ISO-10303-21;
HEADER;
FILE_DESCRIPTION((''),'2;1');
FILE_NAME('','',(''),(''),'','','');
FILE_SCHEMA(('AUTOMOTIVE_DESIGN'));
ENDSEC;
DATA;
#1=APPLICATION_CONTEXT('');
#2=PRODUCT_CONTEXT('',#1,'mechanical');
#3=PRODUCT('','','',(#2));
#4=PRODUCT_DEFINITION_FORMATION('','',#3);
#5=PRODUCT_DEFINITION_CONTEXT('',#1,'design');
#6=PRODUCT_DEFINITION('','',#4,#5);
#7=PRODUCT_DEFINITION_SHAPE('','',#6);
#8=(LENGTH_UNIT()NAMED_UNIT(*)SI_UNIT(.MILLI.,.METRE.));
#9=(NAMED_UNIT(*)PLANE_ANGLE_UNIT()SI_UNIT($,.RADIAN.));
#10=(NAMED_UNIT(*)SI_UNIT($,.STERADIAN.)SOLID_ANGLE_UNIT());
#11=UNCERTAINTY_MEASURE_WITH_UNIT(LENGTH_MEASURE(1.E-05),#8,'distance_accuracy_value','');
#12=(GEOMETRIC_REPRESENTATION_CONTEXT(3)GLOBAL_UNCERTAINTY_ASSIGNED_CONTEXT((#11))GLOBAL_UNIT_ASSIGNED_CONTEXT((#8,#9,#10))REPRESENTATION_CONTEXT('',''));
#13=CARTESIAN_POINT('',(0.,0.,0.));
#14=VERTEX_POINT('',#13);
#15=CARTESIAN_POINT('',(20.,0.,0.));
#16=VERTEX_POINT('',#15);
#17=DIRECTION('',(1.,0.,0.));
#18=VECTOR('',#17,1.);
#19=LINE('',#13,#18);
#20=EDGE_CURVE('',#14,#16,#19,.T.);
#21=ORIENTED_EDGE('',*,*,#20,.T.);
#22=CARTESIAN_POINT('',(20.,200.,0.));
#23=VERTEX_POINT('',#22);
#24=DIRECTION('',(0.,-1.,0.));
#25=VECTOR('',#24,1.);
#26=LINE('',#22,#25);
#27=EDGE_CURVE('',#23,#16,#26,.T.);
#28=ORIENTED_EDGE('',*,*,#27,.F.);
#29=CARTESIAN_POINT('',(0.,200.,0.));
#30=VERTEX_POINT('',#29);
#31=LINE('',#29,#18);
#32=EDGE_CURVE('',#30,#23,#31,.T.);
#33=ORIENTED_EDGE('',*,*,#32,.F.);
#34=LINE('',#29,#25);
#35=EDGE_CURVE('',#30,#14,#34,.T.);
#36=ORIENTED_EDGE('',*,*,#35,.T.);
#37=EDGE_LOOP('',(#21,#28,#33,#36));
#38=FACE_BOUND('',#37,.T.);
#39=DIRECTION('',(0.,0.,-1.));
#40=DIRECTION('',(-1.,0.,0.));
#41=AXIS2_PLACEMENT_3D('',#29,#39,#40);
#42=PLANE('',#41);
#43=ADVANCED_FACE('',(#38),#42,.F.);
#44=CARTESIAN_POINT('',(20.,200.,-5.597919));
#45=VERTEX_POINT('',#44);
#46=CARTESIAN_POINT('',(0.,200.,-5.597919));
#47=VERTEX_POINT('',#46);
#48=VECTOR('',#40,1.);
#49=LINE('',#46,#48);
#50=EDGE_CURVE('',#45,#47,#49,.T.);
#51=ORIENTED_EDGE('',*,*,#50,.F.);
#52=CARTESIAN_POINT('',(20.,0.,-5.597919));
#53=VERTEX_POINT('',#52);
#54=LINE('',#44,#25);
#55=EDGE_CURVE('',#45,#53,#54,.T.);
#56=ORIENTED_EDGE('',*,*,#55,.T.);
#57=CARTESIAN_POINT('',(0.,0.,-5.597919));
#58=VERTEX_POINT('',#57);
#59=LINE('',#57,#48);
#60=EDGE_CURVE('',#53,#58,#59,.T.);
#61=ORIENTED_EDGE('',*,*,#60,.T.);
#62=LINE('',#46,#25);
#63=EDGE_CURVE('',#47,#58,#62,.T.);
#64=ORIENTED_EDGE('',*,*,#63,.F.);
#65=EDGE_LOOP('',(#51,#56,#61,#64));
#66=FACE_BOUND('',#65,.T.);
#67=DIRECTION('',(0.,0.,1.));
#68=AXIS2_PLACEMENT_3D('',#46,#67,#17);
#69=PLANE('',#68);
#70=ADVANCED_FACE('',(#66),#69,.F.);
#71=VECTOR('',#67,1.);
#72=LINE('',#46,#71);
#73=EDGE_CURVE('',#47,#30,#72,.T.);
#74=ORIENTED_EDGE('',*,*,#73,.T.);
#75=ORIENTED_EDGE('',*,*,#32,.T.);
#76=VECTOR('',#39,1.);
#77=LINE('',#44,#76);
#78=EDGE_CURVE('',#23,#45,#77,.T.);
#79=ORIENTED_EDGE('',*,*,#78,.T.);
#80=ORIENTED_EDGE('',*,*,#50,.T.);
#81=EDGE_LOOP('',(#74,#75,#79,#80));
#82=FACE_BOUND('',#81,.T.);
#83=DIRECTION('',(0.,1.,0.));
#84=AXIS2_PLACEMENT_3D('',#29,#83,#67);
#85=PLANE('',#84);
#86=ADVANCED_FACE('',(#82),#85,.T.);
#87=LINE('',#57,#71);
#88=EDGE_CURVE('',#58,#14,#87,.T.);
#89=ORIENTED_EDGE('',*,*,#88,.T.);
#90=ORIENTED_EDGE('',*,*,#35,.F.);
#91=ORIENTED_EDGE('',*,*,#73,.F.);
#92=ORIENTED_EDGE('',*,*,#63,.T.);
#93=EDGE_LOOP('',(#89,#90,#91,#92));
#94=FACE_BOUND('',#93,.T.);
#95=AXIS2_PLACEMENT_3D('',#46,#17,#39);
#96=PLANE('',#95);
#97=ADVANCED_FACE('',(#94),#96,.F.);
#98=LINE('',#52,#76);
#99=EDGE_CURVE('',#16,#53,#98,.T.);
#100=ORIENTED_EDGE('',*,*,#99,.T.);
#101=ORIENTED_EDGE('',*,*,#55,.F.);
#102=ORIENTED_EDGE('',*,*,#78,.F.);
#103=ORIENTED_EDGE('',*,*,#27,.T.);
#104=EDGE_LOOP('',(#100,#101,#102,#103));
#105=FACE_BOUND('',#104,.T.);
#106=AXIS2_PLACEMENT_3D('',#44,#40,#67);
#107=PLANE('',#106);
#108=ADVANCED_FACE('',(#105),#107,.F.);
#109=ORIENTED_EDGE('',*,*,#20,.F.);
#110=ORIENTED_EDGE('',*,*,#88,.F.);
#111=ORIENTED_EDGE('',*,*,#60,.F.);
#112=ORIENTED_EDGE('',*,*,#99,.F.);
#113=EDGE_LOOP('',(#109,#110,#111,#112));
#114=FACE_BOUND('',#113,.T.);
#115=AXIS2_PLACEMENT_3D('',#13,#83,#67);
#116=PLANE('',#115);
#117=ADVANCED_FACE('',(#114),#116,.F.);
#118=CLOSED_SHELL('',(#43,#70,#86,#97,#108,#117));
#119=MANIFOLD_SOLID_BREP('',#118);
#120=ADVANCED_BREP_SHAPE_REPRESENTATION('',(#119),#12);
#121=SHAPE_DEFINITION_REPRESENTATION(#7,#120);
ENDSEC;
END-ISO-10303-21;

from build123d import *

# Parameters (mm, degrees)
SKETCH_1_W      = 20
SKETCH_1_H      = 5.597918572
EXTRUDE_1_DEPTH = 200


with BuildPart() as part:
    # Эскиз1 → Бобышка-Вытянуть1 (new body)
    with BuildSketch(Plane(origin=(0, 0, 0), x_dir=(1, 0, 0), z_dir=(0, 1, 0))):
        with Locations((10, 2.798959286)):
            Rectangle(SKETCH_1_W, SKETCH_1_H)
    extrude(amount=EXTRUDE_1_DEPTH)


solid = part.part
